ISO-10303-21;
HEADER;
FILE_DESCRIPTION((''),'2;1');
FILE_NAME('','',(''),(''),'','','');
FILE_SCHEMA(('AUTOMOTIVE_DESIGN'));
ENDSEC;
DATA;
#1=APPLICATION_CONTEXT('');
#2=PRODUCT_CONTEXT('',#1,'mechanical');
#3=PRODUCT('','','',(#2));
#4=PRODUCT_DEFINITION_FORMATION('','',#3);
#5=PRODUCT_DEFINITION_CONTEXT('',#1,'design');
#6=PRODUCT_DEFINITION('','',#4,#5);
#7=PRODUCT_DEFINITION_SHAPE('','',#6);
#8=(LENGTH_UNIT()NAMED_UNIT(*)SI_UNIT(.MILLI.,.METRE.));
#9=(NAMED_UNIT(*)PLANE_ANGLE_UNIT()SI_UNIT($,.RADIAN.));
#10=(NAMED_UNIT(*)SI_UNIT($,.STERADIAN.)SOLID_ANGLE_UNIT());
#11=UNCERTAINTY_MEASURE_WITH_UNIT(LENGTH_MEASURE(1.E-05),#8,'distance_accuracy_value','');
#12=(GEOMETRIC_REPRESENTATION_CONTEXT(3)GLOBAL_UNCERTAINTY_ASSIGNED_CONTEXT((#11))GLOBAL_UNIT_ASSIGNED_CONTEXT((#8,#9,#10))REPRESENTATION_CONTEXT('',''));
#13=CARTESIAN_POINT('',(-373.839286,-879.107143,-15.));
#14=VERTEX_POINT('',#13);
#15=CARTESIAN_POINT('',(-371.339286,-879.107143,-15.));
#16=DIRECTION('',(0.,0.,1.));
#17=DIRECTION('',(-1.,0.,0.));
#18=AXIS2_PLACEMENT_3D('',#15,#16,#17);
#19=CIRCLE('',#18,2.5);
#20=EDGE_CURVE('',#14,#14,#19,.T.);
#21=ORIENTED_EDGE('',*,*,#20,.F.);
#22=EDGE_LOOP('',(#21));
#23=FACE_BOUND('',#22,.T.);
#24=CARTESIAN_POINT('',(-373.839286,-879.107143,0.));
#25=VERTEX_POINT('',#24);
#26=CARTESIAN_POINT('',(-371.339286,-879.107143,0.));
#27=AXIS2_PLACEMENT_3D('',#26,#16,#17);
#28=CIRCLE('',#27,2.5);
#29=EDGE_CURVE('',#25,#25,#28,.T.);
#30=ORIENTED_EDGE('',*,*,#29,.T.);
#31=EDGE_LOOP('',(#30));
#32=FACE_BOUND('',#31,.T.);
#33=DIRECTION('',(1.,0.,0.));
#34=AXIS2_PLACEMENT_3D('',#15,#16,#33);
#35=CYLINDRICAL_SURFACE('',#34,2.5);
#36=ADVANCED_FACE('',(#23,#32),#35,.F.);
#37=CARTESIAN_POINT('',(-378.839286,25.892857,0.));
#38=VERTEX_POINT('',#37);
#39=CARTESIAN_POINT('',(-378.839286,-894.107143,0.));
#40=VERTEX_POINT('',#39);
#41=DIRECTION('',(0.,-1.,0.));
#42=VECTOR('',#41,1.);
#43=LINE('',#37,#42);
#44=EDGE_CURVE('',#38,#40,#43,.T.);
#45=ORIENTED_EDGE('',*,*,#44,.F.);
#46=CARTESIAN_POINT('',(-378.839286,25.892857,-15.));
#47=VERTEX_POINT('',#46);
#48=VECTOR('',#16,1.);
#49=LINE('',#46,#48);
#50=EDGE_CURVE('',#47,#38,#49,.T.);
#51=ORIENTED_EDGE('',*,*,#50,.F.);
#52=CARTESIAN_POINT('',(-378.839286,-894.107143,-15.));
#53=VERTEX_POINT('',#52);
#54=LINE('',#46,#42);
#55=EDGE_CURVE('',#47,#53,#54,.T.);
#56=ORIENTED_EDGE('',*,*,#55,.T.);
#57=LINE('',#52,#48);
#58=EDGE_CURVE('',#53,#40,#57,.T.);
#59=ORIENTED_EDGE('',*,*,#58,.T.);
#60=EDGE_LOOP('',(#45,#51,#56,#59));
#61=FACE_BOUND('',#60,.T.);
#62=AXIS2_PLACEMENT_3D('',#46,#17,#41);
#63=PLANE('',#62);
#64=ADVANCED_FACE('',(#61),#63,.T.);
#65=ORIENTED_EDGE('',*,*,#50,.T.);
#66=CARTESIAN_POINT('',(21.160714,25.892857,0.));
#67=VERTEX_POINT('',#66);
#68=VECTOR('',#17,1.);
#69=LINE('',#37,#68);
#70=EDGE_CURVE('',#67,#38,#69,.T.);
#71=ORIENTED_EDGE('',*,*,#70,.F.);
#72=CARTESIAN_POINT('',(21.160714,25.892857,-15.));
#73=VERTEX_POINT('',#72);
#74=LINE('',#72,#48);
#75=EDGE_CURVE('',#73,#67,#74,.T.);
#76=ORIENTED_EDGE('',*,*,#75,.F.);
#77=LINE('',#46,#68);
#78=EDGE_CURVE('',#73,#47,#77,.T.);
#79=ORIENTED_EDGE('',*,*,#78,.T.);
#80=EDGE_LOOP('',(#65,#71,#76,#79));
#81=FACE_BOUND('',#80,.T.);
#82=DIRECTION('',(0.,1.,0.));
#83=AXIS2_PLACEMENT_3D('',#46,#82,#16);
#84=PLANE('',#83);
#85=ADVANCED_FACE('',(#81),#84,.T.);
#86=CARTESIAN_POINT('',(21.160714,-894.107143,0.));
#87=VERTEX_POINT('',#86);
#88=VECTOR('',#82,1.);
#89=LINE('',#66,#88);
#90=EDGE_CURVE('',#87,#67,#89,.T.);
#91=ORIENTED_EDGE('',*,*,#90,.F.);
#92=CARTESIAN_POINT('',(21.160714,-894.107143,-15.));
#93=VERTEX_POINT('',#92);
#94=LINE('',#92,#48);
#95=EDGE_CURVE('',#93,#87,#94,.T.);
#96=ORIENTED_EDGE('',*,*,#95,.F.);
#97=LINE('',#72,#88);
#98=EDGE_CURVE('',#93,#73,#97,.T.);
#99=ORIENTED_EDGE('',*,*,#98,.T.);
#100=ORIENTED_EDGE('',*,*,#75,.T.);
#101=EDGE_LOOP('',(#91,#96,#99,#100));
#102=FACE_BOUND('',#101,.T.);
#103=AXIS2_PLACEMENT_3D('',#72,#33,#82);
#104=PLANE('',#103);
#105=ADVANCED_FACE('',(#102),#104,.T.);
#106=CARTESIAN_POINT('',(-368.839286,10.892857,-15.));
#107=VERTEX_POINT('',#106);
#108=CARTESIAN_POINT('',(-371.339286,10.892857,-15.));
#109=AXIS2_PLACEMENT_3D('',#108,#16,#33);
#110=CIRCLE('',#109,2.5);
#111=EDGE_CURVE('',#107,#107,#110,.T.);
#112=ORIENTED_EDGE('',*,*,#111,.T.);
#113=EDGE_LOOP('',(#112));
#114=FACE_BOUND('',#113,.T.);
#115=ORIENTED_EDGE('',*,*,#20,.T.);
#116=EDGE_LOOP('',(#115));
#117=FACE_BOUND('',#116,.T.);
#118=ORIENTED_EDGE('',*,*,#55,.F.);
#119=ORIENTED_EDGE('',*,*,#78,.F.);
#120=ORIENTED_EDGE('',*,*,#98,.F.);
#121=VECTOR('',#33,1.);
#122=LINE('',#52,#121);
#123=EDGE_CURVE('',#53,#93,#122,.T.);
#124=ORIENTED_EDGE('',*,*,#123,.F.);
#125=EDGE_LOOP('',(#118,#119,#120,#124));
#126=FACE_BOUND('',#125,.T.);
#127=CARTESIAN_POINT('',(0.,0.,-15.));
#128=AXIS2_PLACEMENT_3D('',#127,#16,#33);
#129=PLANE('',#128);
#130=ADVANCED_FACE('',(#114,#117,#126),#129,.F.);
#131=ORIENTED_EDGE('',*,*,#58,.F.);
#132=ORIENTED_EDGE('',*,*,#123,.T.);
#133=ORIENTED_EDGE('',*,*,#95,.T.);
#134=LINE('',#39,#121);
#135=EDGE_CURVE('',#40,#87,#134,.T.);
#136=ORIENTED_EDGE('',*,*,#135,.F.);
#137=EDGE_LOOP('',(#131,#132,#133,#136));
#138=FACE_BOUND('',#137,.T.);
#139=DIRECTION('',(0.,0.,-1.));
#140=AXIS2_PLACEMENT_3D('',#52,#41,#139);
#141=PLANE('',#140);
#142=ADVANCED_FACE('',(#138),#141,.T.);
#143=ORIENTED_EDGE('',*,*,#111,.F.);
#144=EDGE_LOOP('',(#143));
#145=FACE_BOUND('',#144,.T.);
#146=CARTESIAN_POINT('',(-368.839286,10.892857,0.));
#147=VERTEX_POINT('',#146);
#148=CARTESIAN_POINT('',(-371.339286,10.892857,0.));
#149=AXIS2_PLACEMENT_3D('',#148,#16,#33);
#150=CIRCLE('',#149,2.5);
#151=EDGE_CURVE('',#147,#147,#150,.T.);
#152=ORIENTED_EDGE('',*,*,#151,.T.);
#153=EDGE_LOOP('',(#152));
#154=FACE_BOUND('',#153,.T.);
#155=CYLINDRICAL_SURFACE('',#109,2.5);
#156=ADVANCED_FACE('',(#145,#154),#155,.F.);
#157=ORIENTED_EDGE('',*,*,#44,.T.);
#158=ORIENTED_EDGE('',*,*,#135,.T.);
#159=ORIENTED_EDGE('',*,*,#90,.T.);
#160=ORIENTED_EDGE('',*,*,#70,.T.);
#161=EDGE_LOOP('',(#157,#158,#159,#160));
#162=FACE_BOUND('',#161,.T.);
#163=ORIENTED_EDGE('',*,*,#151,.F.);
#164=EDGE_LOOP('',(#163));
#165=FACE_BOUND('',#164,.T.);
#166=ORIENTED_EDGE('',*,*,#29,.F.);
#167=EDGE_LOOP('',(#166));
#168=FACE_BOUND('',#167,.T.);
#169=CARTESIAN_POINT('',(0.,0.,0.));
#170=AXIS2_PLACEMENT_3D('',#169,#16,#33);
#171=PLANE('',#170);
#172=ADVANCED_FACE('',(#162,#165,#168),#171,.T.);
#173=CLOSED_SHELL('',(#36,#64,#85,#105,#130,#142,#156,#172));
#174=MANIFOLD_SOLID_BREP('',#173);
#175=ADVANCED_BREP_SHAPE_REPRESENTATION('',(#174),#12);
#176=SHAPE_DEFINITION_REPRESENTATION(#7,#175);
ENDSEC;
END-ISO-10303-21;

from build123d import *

# Parameters (mm, degrees)
CROQUIS1_W              = 400
CROQUIS1_H              = 920
SALIENTE_EXTRUIR1_DEPTH = 15
CROQUIS3_R              = 2.5
CORTAR_EXTRUIR1_DEPTH   = 972.170318383


with BuildPart() as part:
    # Croquis1 → Saliente-Extruir1 (new body)
    with BuildSketch(Plane.XY):
        with Locations((-178.839285714, -434.107142857)):
            Rectangle(CROQUIS1_W, CROQUIS1_H)
    extrude(amount=-SALIENTE_EXTRUIR1_DEPTH)

    # Croquis3 → Cortar-Extruir1 (cut, through all)
    with BuildSketch(Plane.XY):
        with Locations((-371.339285714, 10.892857143)):
            Circle(CROQUIS3_R)
        with Locations(Location((-371.339285714, -879.107142857, 0), (0, 0, 180))):
            Circle(CROQUIS3_R)
    extrude(amount=-CORTAR_EXTRUIR1_DEPTH, mode=Mode.SUBTRACT)


solid = part.part
